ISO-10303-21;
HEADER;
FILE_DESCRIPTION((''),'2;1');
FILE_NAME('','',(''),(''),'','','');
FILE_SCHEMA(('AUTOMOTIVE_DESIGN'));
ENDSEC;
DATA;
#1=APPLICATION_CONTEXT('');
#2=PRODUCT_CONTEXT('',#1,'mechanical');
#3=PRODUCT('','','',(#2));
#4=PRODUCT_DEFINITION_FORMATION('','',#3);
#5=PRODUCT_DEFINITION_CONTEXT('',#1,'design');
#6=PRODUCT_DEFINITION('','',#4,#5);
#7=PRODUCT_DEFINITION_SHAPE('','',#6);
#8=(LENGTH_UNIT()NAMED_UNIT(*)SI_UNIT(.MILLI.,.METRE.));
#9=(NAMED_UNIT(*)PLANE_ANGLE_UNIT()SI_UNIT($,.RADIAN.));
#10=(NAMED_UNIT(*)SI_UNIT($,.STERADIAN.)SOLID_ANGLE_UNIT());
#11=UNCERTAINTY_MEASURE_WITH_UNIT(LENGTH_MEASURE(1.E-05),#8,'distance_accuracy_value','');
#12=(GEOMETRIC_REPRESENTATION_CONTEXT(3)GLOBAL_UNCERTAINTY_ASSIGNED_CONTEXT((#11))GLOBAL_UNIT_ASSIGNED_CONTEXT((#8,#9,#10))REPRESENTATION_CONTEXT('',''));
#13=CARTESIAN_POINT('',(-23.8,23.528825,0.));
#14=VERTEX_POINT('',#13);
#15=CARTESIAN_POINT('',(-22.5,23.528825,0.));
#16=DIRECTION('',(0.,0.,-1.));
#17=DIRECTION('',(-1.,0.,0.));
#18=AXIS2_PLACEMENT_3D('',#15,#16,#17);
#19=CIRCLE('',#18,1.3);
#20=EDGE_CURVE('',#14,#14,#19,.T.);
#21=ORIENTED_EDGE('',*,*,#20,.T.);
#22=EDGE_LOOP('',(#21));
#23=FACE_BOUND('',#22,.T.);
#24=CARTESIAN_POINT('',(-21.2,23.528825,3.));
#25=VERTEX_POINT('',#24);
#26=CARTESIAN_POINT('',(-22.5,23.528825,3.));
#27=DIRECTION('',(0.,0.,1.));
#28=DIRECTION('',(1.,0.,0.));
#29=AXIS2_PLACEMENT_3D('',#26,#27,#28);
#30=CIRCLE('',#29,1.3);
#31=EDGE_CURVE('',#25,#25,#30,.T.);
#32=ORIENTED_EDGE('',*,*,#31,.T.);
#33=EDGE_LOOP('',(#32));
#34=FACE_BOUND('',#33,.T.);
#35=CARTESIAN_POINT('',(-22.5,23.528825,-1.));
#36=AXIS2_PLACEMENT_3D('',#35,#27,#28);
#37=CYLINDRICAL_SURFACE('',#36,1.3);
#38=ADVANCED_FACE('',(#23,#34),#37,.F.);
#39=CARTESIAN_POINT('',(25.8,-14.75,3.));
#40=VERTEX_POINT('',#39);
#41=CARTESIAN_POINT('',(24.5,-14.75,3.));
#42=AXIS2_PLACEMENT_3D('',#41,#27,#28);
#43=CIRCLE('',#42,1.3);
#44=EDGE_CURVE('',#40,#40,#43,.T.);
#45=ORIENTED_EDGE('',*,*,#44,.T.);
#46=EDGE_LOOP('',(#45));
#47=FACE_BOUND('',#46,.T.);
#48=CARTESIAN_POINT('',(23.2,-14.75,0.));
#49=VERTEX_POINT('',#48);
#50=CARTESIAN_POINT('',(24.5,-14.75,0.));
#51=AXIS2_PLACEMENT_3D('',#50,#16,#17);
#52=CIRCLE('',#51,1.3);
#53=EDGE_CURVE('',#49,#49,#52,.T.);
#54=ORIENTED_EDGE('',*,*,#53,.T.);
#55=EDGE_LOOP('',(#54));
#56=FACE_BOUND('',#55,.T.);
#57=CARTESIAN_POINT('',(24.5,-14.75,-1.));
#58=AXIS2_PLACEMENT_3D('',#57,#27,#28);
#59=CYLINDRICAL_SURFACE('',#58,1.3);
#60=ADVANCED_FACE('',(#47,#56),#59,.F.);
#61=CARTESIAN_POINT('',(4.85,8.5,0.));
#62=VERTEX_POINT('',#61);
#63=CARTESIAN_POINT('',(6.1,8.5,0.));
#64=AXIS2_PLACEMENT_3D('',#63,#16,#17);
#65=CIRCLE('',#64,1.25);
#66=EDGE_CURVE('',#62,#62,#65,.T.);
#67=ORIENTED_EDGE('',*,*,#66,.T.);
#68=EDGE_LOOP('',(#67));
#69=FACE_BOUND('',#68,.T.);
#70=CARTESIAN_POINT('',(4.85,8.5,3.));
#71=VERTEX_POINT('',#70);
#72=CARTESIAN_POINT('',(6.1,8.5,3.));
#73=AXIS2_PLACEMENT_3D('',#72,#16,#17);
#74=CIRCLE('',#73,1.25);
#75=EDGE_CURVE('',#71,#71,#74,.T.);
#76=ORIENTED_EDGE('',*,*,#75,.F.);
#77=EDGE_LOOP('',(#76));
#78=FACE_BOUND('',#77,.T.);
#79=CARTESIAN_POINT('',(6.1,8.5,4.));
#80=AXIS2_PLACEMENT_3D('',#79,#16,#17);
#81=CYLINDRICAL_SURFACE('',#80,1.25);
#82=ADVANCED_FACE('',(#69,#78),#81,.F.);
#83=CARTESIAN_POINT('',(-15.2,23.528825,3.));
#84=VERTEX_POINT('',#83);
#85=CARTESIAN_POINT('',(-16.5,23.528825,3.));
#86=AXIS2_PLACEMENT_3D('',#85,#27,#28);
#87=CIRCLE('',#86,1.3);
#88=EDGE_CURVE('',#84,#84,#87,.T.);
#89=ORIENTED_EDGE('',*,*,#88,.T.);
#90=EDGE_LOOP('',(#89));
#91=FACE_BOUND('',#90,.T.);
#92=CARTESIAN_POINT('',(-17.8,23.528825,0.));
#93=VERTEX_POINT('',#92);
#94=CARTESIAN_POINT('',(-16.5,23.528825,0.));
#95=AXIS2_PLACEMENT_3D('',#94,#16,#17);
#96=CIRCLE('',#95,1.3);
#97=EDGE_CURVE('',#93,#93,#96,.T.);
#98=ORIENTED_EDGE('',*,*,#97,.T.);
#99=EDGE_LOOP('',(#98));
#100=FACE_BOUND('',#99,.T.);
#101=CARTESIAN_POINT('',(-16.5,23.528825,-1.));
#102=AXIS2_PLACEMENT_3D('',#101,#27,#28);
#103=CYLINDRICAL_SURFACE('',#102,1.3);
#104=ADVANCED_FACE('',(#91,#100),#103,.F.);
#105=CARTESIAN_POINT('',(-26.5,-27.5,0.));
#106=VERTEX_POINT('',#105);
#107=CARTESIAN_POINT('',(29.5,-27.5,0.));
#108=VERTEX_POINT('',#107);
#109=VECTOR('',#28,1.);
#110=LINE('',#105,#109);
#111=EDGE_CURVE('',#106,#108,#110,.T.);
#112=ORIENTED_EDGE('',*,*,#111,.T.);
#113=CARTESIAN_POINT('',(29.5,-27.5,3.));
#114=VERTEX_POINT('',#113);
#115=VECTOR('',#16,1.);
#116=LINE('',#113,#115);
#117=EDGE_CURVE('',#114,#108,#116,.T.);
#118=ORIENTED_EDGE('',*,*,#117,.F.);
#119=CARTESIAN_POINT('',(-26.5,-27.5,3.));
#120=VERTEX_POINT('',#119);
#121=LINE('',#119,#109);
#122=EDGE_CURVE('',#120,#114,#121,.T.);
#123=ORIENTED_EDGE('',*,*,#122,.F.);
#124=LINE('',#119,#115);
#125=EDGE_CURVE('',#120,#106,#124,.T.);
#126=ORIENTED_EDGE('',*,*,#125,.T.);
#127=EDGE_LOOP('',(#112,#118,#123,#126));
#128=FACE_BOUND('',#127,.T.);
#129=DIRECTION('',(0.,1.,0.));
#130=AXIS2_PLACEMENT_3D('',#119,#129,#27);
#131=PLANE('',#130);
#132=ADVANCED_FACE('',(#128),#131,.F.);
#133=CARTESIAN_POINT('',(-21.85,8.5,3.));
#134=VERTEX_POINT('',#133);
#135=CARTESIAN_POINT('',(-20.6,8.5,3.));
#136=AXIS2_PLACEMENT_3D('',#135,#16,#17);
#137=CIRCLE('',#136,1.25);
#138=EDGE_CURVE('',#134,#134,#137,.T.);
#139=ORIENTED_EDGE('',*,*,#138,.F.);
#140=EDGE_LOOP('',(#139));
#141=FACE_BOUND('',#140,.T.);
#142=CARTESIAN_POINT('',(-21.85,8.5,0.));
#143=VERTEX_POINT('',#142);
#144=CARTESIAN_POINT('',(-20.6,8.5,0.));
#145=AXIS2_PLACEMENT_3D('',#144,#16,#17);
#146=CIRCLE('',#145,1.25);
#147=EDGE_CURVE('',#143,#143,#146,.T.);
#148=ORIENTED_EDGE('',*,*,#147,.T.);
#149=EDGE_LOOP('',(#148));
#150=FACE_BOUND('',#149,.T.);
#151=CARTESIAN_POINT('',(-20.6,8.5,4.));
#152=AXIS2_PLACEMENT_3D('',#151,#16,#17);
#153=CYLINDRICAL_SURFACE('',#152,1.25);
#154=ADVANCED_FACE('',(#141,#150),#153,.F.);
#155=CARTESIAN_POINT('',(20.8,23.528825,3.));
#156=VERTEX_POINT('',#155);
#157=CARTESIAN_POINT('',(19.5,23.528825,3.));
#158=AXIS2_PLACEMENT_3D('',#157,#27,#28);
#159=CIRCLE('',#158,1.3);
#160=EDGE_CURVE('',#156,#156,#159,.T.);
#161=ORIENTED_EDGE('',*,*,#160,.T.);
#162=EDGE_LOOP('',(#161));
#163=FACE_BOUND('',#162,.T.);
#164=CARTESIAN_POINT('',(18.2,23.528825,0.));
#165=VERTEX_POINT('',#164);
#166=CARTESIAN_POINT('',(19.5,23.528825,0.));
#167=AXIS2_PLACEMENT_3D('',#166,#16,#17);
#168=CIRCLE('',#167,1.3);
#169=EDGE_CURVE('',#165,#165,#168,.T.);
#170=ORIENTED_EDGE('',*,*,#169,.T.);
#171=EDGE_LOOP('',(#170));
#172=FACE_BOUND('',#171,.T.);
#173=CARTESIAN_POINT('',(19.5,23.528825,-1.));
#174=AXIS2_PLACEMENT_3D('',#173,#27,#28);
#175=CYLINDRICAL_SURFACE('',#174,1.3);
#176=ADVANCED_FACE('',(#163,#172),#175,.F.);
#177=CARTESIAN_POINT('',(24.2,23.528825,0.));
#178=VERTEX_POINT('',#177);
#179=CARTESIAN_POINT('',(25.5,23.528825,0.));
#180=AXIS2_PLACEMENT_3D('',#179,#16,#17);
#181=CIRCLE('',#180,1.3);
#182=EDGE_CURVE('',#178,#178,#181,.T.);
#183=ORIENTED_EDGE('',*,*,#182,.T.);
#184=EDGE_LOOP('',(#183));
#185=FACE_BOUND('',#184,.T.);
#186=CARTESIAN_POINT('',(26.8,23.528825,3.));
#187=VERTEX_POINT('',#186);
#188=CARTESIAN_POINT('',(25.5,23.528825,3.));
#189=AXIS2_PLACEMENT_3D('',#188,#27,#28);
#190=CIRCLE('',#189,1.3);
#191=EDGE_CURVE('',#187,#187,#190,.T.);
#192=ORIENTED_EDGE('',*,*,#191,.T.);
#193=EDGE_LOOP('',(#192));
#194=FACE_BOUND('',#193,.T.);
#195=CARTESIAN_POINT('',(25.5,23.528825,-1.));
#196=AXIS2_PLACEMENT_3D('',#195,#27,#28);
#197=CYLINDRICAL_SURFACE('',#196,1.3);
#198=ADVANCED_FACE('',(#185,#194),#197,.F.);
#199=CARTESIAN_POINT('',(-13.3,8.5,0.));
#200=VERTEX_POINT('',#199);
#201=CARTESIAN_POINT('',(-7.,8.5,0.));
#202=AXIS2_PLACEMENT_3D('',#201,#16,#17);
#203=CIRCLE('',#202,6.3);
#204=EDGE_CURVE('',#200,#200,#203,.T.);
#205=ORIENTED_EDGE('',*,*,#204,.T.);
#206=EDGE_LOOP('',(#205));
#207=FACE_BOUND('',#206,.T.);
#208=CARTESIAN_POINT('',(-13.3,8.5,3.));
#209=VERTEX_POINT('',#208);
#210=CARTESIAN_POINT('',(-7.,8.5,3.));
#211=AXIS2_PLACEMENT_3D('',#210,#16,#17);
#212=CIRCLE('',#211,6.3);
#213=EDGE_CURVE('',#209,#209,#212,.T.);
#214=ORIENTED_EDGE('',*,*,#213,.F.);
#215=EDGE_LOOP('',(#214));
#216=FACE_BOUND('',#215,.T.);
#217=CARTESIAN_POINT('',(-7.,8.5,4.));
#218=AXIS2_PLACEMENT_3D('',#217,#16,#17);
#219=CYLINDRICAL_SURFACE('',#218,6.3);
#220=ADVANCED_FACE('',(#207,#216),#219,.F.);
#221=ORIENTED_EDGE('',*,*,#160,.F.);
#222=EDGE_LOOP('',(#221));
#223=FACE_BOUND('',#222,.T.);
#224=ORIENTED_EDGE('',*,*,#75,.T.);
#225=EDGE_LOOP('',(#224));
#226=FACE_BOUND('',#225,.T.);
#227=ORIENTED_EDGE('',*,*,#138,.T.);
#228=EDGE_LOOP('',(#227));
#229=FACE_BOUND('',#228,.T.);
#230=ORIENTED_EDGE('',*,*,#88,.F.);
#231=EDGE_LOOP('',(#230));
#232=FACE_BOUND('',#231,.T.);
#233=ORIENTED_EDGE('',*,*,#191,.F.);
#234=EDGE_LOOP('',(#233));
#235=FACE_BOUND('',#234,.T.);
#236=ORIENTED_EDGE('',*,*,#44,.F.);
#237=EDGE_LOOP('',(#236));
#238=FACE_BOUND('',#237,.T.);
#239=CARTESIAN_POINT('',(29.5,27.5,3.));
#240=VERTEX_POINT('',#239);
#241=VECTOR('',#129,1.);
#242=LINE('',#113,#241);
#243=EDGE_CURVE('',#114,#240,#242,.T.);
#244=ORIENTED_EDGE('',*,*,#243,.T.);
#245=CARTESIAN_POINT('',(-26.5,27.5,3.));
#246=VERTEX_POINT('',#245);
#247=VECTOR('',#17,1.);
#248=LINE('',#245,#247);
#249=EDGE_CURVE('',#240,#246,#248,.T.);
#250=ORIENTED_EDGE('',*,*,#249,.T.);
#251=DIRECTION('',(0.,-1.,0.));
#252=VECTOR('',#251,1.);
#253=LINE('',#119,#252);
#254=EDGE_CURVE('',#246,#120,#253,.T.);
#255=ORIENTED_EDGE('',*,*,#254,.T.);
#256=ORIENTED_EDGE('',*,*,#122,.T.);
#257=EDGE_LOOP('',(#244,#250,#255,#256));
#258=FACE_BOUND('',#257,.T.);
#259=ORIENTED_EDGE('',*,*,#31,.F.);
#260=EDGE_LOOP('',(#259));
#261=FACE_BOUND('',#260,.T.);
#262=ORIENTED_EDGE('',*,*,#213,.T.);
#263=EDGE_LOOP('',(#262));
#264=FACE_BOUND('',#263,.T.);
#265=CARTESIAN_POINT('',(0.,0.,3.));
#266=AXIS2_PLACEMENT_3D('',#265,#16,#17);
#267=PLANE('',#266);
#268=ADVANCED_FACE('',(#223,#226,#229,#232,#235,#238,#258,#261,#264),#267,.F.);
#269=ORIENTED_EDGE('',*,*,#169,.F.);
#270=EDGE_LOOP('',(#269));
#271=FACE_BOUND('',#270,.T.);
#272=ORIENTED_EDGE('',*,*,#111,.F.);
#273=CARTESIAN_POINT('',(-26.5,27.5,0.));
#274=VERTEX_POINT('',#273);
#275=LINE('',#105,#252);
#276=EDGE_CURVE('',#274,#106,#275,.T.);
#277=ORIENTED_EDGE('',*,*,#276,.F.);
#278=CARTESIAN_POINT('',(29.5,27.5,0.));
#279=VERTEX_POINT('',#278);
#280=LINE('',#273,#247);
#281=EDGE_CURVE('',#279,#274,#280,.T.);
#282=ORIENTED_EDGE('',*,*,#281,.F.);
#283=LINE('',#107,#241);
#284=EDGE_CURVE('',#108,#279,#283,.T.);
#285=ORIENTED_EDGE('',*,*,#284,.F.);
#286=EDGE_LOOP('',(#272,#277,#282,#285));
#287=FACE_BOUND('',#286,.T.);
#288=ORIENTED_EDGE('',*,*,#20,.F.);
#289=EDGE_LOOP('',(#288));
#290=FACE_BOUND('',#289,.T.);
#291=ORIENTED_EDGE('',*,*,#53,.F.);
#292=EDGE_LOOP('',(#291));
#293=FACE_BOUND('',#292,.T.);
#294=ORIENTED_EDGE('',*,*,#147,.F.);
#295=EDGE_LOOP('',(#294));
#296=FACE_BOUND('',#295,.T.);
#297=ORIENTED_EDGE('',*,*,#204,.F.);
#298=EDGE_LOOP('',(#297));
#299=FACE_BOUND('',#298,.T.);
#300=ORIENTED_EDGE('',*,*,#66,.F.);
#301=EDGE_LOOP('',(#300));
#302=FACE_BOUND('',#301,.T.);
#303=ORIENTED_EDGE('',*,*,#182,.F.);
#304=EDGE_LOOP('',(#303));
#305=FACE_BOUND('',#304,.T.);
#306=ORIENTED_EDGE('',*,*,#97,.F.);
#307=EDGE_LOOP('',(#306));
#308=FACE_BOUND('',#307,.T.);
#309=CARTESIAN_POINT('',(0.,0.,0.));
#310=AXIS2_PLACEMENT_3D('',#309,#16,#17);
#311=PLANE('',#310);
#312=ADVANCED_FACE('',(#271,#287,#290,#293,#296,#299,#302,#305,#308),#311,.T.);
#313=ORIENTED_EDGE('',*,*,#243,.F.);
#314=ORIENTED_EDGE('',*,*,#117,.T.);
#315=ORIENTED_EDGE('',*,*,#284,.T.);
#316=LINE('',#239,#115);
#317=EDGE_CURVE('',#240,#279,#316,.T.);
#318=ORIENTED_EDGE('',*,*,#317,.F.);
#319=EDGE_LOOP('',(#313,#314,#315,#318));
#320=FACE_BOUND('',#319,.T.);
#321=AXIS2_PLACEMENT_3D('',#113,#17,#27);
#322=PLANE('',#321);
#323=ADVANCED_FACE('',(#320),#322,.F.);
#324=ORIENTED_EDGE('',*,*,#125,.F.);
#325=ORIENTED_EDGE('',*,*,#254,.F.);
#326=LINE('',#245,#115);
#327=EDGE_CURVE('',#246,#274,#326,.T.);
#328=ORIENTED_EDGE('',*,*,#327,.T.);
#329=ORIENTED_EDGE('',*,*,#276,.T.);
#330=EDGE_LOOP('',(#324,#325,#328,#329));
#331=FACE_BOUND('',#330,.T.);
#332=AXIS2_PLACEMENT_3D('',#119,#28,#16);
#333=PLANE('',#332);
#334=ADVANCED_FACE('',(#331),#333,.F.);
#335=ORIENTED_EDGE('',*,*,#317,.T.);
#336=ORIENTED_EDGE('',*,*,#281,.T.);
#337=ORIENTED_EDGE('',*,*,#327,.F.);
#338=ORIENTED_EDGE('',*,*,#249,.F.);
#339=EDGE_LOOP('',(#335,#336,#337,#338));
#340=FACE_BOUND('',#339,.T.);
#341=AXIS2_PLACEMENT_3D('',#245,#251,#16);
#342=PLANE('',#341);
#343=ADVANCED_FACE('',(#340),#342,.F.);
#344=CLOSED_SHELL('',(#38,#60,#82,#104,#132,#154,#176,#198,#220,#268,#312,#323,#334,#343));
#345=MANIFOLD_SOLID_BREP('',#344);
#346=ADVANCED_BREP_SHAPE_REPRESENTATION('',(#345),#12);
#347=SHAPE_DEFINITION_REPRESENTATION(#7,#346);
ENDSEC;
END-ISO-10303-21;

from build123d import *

# Parameters (mm, degrees)
CROQUIS1_W              = 56
CROQUIS1_H              = 55
SALIENTE_EXTRUIR1_DEPTH = 3
CROQUIS2_R              = 1.3
CORTAR_EXTRUIR1_DEPTH   = 4
CROQUIS3_R              = 6.3
CROQUIS3_R_2            = 1.25
CORTAR_EXTRUIR2_DEPTH   = 4


with BuildPart() as part:
    # Croquis1 → Saliente-Extruir1 (new body)
    with BuildSketch(Plane.XY):
        with Locations((1.5, 0)):
            Rectangle(CROQUIS1_W, CROQUIS1_H)
    extrude(amount=SALIENTE_EXTRUIR1_DEPTH)

    # Croquis2 → Cortar-Extruir1 (cut)
    with BuildSketch(Plane.XY.offset(3)):
        with Locations((25.5, 23.528824725)):
            Circle(CROQUIS2_R)
        with Locations((19.5, 23.528824725)):
            Circle(CROQUIS2_R)
        with Locations((-22.5, 23.528824725)):
            Circle(CROQUIS2_R)
        with Locations((-16.5, 23.528824725)):
            Circle(CROQUIS2_R)
        with Locations((24.5, -14.75)):
            Circle(CROQUIS2_R)
    extrude(amount=-CORTAR_EXTRUIR1_DEPTH, mode=Mode.SUBTRACT)

    # Croquis3 → Cortar-Extruir2 (cut)
    with BuildSketch(Plane(origin=(0, 0, 0), x_dir=(-1, 0, 0), z_dir=(0, 0, -1))):
        with Locations((7, 8.5)):
            Circle(CROQUIS3_R)
        with Locations((20.6, 8.5)):
            Circle(CROQUIS3_R_2)
        with Locations((-6.1, 8.5)):
            Circle(CROQUIS3_R_2)
    extrude(amount=-CORTAR_EXTRUIR2_DEPTH, mode=Mode.SUBTRACT)


solid = part.part
